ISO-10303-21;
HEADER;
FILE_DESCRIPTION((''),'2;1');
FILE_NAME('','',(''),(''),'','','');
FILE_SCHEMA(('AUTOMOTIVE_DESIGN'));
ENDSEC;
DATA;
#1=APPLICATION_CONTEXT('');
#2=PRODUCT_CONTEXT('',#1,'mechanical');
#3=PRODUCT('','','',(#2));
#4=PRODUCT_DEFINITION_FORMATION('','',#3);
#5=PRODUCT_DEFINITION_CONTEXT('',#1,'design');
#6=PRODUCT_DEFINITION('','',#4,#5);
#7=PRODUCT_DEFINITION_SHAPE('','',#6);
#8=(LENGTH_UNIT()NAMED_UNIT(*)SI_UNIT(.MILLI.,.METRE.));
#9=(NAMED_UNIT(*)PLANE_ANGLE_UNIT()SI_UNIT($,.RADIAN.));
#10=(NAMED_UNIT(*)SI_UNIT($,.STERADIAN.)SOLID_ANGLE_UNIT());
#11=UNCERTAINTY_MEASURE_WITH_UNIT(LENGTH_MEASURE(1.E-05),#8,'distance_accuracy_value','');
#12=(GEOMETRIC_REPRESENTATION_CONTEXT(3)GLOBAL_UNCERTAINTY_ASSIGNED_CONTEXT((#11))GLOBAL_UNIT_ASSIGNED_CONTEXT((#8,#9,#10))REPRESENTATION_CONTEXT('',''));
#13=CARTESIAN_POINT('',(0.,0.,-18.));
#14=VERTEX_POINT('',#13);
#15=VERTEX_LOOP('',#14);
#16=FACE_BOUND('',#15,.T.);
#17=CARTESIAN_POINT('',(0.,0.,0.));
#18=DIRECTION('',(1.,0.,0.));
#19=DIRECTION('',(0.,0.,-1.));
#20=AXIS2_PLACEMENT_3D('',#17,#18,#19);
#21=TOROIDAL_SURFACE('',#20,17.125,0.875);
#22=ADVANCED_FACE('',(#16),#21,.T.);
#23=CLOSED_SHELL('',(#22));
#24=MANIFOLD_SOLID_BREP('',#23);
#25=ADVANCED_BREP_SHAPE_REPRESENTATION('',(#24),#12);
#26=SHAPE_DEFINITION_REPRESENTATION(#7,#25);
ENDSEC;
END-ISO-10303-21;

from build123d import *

# Parameters (mm, degrees)
SKETCH_1_R = 0.875


with BuildPart() as part:
    # 草图1 → 旋转1 (revolve)
    with BuildSketch(Plane.XY, mode=Mode.PRIVATE) as revolve_1_sk:
        with Locations((0, 17.125)):
            Circle(SKETCH_1_R)
    revolve(revolve_1_sk.sketch.rotate(Axis((0, 0, 0), (-1, 0, 0)), 90), axis=Axis((0, 0, 0), (-1, 0, 0)))


solid = part.part
